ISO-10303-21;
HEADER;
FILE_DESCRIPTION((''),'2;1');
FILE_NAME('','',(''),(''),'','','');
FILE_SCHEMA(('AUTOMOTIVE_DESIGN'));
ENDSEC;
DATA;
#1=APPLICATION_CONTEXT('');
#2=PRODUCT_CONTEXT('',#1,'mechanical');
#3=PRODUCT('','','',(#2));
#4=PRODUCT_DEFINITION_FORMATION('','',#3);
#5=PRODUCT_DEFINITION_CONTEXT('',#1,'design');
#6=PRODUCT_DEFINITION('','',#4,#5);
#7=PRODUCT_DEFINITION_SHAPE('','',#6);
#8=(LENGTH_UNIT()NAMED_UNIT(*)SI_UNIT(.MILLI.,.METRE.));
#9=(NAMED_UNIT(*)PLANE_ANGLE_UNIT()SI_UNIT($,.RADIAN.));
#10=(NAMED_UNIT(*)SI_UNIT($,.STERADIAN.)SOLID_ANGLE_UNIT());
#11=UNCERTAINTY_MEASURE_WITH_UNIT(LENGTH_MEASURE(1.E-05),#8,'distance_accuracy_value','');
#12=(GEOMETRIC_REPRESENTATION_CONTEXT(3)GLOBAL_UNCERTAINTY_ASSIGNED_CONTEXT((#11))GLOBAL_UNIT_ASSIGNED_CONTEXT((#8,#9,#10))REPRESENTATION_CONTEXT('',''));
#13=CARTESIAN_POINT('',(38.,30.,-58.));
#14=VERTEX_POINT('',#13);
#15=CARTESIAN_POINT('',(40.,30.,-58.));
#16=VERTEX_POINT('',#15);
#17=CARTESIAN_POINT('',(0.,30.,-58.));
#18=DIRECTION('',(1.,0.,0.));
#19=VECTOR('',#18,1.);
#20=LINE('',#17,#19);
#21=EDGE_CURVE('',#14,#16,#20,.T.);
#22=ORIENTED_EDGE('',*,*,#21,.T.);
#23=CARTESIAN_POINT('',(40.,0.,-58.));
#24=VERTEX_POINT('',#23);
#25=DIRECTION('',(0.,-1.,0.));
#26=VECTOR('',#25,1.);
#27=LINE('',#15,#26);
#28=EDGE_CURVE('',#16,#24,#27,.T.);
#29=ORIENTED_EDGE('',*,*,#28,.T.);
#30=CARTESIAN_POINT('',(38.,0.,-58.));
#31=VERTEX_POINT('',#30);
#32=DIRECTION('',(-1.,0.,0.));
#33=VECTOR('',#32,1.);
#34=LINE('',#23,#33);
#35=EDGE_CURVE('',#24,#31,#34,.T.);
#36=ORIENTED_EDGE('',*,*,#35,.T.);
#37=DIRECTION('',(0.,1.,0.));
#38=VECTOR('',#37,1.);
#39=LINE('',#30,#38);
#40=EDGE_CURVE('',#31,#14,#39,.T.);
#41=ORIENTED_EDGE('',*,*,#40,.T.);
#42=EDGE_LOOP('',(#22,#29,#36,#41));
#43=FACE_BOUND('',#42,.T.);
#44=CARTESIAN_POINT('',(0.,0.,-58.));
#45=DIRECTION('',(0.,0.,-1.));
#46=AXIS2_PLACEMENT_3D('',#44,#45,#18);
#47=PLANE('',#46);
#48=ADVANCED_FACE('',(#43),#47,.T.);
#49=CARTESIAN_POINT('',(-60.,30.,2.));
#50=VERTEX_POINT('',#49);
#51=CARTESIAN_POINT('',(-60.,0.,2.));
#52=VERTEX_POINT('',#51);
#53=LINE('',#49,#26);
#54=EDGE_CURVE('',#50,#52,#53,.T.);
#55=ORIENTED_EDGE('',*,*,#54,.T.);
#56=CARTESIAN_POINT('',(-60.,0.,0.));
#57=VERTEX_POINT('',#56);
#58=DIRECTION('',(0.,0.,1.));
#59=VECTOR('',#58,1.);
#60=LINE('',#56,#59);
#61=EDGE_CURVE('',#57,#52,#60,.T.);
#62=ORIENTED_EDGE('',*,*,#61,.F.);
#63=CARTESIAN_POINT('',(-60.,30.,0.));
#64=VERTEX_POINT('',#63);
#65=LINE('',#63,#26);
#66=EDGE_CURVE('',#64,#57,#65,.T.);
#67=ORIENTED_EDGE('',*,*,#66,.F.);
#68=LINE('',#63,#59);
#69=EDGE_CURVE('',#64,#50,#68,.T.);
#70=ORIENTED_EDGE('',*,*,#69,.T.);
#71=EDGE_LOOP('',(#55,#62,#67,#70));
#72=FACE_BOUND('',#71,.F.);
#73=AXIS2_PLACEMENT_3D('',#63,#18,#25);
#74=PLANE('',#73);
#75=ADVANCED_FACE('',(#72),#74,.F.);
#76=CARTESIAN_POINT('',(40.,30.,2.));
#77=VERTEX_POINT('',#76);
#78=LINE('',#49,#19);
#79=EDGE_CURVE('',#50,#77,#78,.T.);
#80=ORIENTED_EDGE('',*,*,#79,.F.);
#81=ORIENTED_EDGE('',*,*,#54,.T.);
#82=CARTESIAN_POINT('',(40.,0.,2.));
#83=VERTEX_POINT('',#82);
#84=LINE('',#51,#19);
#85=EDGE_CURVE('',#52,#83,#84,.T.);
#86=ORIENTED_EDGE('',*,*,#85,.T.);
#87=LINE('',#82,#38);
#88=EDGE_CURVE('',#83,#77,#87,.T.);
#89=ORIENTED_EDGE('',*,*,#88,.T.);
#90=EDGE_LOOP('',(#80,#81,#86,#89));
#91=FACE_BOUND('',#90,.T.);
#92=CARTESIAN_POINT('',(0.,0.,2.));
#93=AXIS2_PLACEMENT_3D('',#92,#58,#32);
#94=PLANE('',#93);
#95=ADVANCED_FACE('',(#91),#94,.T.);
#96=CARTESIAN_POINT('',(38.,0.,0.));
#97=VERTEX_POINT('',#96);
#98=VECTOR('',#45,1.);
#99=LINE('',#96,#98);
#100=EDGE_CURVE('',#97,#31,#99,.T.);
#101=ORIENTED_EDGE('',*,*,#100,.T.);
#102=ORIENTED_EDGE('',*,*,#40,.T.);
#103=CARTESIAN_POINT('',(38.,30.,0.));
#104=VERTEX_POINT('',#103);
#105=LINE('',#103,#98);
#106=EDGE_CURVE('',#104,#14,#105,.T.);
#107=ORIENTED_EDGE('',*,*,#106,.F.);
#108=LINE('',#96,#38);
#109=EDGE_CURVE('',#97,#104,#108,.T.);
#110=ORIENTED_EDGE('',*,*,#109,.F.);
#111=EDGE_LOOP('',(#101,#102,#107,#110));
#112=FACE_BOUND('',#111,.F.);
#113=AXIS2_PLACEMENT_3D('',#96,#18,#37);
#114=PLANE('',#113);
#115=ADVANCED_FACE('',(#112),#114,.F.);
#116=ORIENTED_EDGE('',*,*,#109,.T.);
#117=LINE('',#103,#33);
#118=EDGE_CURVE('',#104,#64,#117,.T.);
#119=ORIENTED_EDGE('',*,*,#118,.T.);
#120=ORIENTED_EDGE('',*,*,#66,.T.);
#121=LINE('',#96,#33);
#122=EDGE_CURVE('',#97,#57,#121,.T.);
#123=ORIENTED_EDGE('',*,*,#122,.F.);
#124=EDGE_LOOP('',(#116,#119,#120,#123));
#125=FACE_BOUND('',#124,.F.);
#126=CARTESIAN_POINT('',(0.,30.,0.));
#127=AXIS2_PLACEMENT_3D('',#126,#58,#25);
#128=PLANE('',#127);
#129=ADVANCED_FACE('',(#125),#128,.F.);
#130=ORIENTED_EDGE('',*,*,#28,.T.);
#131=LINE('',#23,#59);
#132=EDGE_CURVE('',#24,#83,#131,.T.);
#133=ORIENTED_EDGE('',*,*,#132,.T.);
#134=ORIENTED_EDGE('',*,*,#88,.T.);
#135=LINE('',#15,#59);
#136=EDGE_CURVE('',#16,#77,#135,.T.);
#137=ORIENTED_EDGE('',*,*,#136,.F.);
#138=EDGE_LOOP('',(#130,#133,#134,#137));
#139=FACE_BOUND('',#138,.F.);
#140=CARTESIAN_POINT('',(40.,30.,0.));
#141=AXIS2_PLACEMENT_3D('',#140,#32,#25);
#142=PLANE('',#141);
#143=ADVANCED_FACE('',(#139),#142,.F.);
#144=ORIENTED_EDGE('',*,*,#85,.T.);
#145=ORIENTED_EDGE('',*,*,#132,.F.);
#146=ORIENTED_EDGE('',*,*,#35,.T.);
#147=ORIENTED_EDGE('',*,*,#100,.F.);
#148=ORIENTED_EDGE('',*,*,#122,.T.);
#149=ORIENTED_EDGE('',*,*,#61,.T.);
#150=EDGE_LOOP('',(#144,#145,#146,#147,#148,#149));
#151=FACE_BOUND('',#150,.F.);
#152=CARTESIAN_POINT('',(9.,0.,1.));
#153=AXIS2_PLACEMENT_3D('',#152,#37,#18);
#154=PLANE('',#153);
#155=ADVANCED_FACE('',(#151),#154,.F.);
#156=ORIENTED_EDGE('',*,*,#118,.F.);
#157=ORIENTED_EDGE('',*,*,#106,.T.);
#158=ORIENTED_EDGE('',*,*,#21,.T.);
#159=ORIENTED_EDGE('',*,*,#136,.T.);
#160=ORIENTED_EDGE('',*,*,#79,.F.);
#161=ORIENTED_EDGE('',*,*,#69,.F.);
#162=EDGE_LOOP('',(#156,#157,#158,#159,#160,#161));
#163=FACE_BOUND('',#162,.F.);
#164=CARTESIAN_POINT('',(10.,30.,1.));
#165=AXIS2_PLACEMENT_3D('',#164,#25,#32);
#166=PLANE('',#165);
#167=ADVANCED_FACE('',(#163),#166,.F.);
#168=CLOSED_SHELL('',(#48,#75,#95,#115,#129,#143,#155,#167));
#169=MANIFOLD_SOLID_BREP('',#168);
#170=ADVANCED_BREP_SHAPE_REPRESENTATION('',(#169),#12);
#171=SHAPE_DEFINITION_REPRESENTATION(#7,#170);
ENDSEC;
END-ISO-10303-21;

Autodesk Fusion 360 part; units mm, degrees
sketch "Sketch1" plane through (0, 0, 0) normal (0, 0, 1) x (1, 0, 0)
  line L0 (0, 0) -> (40, 0)
  line L1 (40, 0) -> (40, 30)
  line L2 (40, 30) -> (0, 30)
  line L3 (0, 30) -> (0, 0)
  dimension "d1" = 40
  dimension "d2" = 30
extrude "Extrude1" add sketch "Sketch1" along normal blind 2
sketch "Sketch2" plane through (0, 0, 2) normal (0, 0, 1) x (-1, 0, 0)
  line L0 (0, -30) -> (0, 0)
  line L1 (0, 0) -> (-40, 0)
  line L2 (-40, 0) -> (-40, -30)
  line L3 (-40, -30) -> (0, -30)
  line L4 (-9, -30) -> (-10, -30)
  line L5 (-10, -30) -> (-10, 0)
  line L6 (-10, 0) -> (-9, 0)
  line L7 (-9, 0) -> (-9, -30)
  dimension "d5" = 1
  dimension "d6" = 30
  dimension "d7" = 9
extrude "Extrude2" cut sketch "Sketch2" against normal blind 1 contours L1 L3 L4 L5 L6 L7
sketch "Sketch4" plane through (0, 0, 0) normal (0, 0, -1) x (1, 0, 0)
  line L0 (0, 0) -> (0, -30)
  line L1 (0, -30) -> (40, -30)
  line L2 (40, -30) -> (40, 0)
  line L3 (40, 0) -> (0, 0)
  line L4 (40, 0) -> (38, 0)
  line L5 (38, 0) -> (38, -30)
  line L6 (38, -30) -> (40, -30)
  line L7 (40, -30) -> (40, 0)
extrude "Extrude3" add sketch "Sketch4" along normal blind 58 contours L1 L2 L3 L4 L5 L6 L7
extrude "Extrude4" add 1 faces at (0, 20, 0.6667) along direction (-1, 0, 0) blind 60
extrude "Extrude5" add 1 faces at (9.3333, 20, 1) along direction (0, 0, 1) blind 1
sketch "Sketch5" plane through (0, 0, 2) normal (0, 0, 1) x (-1, 0, 0)
  line L0 (-40, -30) -> (60, -30)
  line L1 (60, -30) -> (60, 0)
  line L2 (60, 0) -> (-40, 0)
  line L3 (-40, 0) -> (-40, -30)
  line L4 (11, 0) -> (10, 0)
  line L5 (10, 0) -> (10, -30)
  line L6 (10, -30) -> (11, -30)
  line L7 (11, -30) -> (11, 0)
  dimension "d18" = 1
  dimension "d19" = 30
  dimension "d20" = 49
extrude "Extrude6" cut sketch "Sketch5" along normal blind 1 contours L0 L2 L4 L5 L6 L7
sketch "Sketch6" plane through (0, 0, 2) normal (0, 0, 1) x (-1, 0, 0)
  line L0 (60, 0) -> (-40, 0)
  line L1 (-40, 0) -> (-40, -30)
  line L2 (-40, -30) -> (60, -30)
  line L3 (60, -30) -> (60, 0)
equation "d21 = mm"
